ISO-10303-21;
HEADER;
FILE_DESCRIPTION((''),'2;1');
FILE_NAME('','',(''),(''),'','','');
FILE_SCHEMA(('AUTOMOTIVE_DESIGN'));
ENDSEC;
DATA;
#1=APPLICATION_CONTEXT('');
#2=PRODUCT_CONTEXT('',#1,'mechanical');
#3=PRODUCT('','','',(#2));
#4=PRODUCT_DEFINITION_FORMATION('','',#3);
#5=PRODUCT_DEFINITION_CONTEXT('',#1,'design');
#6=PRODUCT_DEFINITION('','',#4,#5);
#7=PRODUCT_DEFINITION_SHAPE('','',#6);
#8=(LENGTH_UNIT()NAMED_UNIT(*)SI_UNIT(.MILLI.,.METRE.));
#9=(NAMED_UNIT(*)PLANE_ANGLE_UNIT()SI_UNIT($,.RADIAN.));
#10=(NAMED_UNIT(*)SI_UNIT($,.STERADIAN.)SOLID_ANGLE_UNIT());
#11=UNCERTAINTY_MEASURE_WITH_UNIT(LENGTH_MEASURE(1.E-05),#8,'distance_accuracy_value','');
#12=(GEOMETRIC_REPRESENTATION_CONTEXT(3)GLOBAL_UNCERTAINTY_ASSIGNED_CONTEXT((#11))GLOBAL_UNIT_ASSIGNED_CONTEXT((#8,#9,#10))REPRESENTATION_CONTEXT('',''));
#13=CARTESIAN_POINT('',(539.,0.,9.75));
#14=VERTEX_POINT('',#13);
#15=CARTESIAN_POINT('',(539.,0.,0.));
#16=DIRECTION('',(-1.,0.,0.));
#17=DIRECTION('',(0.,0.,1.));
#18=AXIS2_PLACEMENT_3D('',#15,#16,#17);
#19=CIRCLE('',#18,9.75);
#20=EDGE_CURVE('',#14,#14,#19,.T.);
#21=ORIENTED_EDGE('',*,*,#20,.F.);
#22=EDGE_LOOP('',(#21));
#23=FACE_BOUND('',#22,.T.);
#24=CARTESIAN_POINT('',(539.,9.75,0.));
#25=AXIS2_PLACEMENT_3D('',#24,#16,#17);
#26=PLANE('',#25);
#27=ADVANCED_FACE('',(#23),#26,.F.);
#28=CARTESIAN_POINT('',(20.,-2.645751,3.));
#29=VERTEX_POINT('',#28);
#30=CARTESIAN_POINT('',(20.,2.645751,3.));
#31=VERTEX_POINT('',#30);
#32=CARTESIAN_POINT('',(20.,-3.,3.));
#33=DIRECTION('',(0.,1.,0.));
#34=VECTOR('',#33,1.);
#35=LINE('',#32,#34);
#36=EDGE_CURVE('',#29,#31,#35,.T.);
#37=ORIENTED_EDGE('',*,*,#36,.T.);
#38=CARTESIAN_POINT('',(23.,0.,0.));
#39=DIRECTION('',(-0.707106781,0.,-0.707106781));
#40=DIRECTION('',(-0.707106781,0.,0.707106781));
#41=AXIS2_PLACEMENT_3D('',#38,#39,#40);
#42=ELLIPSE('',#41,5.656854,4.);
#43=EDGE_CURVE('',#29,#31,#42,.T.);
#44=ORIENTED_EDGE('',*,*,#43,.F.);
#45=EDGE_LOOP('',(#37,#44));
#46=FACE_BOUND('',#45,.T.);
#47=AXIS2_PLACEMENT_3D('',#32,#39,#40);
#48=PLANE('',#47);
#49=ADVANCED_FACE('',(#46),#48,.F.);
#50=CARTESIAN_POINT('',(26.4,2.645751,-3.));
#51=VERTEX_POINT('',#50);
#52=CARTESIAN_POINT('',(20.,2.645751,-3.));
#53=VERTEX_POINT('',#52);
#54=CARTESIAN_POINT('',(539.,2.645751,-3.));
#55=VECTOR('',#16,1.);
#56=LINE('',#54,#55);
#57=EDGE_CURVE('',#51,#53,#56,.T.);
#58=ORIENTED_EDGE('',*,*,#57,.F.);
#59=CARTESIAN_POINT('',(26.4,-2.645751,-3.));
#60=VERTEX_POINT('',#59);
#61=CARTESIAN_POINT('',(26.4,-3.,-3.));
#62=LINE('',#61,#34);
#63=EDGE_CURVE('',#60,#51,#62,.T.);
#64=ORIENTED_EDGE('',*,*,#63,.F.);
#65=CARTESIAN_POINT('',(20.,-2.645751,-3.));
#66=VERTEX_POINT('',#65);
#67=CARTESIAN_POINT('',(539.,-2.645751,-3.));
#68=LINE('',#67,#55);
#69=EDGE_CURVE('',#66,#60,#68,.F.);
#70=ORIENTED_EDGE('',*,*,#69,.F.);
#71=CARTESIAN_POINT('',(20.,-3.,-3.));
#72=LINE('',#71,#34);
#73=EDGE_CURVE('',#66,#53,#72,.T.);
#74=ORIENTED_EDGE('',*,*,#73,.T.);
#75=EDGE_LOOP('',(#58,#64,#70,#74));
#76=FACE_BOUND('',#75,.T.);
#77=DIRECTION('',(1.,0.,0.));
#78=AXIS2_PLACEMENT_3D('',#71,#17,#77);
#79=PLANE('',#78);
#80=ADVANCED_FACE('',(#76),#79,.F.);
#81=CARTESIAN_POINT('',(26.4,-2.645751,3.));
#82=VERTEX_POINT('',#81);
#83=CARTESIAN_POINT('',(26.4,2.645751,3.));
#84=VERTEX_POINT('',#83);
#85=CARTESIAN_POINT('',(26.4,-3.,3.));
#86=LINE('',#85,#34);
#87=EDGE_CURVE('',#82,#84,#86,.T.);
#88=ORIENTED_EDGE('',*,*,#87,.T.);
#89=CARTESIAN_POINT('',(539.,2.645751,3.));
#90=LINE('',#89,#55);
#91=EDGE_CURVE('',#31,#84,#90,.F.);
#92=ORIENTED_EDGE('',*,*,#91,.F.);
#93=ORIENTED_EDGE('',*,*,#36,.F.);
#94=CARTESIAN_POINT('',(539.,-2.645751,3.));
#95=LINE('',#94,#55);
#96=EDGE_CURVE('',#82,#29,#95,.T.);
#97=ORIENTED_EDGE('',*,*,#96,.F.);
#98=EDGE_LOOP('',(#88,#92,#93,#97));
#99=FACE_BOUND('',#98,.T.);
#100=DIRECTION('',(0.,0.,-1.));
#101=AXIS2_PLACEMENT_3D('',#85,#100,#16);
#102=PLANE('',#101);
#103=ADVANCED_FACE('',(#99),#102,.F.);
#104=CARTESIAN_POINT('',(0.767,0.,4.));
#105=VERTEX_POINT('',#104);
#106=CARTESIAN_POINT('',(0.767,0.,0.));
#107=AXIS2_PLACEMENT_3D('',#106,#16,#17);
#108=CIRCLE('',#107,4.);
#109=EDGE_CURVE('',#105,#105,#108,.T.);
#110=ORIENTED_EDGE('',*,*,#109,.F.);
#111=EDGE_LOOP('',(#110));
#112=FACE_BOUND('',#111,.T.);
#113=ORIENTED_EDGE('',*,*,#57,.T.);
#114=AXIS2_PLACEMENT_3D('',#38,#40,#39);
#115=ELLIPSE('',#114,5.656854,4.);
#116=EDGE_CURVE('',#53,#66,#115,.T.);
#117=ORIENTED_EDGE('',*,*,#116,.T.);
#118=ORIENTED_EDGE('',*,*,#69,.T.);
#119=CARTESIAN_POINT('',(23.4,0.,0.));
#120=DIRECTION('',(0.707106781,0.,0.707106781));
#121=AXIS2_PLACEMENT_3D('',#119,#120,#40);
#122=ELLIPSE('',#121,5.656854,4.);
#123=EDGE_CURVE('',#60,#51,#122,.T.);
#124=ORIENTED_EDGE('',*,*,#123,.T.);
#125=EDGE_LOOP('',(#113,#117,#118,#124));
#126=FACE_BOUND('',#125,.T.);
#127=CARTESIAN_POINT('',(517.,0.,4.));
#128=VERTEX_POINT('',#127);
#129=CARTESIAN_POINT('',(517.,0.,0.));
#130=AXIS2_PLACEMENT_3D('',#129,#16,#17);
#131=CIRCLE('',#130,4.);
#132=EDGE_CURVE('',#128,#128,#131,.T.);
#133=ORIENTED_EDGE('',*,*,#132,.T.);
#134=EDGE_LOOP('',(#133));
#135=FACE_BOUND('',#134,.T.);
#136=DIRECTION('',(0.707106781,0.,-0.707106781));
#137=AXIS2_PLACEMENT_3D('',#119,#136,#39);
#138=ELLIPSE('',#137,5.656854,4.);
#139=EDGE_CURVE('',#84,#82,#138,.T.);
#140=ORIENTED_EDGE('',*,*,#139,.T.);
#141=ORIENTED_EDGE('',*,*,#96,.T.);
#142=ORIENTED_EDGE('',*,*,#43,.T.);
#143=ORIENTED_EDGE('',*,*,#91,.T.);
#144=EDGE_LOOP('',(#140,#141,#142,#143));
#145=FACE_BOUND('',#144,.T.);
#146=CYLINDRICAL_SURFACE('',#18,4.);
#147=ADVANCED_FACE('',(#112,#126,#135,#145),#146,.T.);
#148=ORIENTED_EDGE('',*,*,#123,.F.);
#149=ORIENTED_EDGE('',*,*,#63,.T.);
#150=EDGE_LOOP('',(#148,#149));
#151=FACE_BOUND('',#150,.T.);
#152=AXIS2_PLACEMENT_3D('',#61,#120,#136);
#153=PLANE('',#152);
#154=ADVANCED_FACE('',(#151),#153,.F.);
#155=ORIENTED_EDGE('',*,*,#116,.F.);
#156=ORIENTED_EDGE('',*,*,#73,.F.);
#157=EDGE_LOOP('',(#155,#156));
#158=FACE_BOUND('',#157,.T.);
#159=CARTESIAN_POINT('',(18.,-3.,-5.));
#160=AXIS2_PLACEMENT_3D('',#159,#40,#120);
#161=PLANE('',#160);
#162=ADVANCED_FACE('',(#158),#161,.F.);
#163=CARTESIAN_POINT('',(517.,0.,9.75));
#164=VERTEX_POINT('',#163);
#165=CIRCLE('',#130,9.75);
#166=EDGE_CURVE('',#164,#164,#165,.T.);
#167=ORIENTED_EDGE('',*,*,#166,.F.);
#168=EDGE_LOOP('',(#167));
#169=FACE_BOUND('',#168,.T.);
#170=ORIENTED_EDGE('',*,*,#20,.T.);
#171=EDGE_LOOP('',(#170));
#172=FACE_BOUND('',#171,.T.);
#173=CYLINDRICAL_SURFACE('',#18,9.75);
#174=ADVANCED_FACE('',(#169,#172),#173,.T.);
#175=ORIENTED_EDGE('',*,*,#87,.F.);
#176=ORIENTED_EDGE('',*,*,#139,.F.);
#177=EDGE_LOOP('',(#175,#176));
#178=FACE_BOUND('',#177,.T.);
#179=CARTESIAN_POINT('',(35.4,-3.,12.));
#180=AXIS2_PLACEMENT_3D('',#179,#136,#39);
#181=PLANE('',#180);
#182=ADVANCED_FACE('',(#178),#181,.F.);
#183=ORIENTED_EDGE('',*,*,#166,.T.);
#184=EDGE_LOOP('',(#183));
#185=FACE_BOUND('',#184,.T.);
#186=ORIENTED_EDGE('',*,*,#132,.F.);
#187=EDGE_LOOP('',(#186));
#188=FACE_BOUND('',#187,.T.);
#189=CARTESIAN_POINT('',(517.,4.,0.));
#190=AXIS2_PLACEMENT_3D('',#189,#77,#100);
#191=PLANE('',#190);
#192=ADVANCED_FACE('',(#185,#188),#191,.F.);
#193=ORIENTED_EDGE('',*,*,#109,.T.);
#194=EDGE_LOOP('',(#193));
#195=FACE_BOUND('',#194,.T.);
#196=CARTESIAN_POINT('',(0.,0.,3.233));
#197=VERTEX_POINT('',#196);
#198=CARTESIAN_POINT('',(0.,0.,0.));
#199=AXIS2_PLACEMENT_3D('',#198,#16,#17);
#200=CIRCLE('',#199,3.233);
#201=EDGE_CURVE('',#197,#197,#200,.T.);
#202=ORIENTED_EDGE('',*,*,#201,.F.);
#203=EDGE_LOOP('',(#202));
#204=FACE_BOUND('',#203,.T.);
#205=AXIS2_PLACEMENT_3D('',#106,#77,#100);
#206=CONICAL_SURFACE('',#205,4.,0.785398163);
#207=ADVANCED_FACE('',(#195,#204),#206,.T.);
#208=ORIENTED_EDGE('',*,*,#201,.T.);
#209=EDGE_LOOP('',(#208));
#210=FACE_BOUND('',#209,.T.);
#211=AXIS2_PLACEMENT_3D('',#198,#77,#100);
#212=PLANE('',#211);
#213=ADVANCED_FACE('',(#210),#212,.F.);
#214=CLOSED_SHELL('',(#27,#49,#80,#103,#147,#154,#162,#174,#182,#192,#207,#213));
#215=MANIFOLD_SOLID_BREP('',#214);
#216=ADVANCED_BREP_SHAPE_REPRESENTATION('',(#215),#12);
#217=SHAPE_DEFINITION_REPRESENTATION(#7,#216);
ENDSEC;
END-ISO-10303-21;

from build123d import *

# Parameters (mm, degrees)
CUT_EXTRUDE_1_DEPTH      = 3
CUT_EXTRUDE_1_DEPTH_BACK = 3


with BuildPart() as part:
    # 草图1 → 旋转1 (revolve)
    with BuildSketch(Plane.XY):
        Polygon((0, 0), (0, 3.233), (0.767, 4), (517, 4), (517, 9.75), (539, 9.75), (539, 0), align=None)
    revolve(axis=Axis((539, 0, 0), (-1, 0, 0)))

    # 草图2 → 切除-拉伸1 (cut, two sides: drawn at the far end of the back side and taken through both)
    with BuildSketch(Plane(origin=(0, 0, 0), x_dir=(1, 0, 0), z_dir=(0, 1, 0)).offset(-CUT_EXTRUDE_1_DEPTH_BACK)):
        Polygon((-5, -12), (35.4, -12), (26.4, -3), (20, -3), (18, -5), (18, -10), (-3, -10), (-3, 10), (18, 10), (18, 5), (20, 3), (26.4, 3), (35.4, 12), (-5, 12), align=None)
    extrude(amount=CUT_EXTRUDE_1_DEPTH + CUT_EXTRUDE_1_DEPTH_BACK, mode=Mode.SUBTRACT)


solid = part.part
